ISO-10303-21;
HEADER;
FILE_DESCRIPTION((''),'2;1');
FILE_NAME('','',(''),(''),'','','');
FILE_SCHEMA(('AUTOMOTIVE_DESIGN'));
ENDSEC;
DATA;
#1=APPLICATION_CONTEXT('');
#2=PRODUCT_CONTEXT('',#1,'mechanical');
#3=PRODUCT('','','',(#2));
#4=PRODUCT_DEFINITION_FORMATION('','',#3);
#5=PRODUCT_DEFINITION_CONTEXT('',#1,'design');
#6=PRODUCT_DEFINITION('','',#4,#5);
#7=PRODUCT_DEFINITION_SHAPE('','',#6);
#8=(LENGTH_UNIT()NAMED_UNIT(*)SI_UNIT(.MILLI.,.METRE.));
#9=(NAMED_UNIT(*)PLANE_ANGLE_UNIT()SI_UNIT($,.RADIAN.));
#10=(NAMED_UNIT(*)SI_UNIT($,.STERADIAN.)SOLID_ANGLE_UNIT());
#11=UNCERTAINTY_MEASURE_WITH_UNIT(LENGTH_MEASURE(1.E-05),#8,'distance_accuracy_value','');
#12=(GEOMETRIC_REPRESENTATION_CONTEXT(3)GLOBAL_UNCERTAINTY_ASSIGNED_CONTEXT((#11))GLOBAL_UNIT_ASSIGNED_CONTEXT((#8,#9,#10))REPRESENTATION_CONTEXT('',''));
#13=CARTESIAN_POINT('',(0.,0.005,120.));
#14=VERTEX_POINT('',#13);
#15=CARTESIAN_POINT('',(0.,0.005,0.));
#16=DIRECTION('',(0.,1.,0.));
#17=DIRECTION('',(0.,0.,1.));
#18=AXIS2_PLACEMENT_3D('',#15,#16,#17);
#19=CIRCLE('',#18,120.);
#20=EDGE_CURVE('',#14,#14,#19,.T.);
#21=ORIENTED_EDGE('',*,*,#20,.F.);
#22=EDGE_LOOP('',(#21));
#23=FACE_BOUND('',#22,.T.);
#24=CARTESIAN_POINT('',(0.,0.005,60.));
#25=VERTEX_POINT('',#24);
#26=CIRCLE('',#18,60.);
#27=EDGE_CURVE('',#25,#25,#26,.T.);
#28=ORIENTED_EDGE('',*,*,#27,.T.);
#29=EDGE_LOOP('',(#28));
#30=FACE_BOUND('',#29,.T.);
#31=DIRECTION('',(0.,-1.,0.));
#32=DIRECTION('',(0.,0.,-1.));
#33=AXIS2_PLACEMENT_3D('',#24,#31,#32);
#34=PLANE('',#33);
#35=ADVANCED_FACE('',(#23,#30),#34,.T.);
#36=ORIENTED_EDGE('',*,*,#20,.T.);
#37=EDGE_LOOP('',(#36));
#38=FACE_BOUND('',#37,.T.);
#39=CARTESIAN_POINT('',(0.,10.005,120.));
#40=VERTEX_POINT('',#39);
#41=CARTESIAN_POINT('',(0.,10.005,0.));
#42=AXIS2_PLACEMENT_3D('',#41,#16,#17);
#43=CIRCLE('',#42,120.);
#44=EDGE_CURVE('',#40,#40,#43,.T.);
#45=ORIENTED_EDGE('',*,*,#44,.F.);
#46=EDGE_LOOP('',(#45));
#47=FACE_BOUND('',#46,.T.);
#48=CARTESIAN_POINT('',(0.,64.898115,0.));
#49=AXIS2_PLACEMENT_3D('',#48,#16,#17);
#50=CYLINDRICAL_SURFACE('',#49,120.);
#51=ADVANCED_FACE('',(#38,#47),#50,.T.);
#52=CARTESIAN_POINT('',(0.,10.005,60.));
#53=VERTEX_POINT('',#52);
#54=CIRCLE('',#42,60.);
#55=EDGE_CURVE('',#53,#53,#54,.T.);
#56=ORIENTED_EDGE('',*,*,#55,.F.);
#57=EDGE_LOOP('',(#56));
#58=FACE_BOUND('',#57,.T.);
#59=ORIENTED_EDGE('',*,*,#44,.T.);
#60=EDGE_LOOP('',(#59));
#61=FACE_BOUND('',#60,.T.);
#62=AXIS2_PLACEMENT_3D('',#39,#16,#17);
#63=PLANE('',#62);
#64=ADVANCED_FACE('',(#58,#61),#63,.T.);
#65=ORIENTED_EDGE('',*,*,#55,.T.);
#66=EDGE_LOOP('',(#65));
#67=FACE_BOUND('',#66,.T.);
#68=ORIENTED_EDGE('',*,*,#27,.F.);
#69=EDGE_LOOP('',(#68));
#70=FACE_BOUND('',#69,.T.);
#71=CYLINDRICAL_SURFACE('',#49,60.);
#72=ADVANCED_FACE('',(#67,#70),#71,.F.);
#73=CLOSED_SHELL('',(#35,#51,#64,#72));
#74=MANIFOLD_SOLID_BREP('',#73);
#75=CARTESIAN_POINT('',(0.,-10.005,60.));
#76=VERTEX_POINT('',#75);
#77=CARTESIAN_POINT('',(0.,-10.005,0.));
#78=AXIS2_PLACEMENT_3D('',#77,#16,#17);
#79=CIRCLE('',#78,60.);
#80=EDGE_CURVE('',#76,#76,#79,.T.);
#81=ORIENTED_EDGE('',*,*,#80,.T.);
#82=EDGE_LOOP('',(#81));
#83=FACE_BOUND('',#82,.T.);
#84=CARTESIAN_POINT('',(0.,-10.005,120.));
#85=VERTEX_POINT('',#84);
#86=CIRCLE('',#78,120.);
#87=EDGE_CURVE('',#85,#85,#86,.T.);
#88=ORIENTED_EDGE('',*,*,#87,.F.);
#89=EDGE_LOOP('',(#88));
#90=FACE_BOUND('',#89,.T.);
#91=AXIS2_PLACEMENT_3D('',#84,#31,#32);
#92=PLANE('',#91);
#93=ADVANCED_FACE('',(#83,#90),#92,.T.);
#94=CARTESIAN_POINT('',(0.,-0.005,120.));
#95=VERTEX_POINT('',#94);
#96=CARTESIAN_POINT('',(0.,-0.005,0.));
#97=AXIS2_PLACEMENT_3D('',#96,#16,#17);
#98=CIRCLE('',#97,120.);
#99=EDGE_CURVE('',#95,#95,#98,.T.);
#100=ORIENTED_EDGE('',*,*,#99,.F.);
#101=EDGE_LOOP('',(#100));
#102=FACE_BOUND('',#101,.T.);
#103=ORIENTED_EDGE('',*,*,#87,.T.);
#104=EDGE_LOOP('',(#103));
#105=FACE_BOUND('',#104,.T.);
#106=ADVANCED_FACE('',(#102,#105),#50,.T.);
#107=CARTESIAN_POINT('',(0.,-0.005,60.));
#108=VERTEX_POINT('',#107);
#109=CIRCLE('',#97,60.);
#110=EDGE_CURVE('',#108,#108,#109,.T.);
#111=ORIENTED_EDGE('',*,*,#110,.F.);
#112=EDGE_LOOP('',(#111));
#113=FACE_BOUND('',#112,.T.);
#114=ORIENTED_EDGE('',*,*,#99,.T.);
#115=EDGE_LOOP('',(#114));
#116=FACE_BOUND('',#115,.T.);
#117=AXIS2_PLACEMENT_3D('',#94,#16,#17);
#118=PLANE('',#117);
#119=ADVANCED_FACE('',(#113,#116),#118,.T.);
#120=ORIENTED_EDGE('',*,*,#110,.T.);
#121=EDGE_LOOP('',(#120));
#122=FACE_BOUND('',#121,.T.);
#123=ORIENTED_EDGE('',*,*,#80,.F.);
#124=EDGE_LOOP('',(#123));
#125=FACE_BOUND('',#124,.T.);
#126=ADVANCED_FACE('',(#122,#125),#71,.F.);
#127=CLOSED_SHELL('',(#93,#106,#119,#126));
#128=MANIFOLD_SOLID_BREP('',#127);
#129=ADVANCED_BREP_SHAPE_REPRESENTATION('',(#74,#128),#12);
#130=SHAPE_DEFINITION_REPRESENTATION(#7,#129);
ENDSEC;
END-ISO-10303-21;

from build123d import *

# Parameters (mm, degrees)
SKETCH1_W = 60
SKETCH1_H = 10


with BuildPart() as part:
    # Sketch1 → Revolve1 (revolve)
    with BuildSketch(Plane(origin=(0, 0, 0), x_dir=(0, 0, -1), z_dir=(1, 0, 0))):
        with Locations((-90, 5.005)):
            Rectangle(SKETCH1_W, SKETCH1_H)
        with Locations((-90, -5.005)):
            Rectangle(SKETCH1_W, SKETCH1_H)
    revolve(axis=Axis((0, 64.898114619, 0), (0, -1, 0)))


solid = part.part
